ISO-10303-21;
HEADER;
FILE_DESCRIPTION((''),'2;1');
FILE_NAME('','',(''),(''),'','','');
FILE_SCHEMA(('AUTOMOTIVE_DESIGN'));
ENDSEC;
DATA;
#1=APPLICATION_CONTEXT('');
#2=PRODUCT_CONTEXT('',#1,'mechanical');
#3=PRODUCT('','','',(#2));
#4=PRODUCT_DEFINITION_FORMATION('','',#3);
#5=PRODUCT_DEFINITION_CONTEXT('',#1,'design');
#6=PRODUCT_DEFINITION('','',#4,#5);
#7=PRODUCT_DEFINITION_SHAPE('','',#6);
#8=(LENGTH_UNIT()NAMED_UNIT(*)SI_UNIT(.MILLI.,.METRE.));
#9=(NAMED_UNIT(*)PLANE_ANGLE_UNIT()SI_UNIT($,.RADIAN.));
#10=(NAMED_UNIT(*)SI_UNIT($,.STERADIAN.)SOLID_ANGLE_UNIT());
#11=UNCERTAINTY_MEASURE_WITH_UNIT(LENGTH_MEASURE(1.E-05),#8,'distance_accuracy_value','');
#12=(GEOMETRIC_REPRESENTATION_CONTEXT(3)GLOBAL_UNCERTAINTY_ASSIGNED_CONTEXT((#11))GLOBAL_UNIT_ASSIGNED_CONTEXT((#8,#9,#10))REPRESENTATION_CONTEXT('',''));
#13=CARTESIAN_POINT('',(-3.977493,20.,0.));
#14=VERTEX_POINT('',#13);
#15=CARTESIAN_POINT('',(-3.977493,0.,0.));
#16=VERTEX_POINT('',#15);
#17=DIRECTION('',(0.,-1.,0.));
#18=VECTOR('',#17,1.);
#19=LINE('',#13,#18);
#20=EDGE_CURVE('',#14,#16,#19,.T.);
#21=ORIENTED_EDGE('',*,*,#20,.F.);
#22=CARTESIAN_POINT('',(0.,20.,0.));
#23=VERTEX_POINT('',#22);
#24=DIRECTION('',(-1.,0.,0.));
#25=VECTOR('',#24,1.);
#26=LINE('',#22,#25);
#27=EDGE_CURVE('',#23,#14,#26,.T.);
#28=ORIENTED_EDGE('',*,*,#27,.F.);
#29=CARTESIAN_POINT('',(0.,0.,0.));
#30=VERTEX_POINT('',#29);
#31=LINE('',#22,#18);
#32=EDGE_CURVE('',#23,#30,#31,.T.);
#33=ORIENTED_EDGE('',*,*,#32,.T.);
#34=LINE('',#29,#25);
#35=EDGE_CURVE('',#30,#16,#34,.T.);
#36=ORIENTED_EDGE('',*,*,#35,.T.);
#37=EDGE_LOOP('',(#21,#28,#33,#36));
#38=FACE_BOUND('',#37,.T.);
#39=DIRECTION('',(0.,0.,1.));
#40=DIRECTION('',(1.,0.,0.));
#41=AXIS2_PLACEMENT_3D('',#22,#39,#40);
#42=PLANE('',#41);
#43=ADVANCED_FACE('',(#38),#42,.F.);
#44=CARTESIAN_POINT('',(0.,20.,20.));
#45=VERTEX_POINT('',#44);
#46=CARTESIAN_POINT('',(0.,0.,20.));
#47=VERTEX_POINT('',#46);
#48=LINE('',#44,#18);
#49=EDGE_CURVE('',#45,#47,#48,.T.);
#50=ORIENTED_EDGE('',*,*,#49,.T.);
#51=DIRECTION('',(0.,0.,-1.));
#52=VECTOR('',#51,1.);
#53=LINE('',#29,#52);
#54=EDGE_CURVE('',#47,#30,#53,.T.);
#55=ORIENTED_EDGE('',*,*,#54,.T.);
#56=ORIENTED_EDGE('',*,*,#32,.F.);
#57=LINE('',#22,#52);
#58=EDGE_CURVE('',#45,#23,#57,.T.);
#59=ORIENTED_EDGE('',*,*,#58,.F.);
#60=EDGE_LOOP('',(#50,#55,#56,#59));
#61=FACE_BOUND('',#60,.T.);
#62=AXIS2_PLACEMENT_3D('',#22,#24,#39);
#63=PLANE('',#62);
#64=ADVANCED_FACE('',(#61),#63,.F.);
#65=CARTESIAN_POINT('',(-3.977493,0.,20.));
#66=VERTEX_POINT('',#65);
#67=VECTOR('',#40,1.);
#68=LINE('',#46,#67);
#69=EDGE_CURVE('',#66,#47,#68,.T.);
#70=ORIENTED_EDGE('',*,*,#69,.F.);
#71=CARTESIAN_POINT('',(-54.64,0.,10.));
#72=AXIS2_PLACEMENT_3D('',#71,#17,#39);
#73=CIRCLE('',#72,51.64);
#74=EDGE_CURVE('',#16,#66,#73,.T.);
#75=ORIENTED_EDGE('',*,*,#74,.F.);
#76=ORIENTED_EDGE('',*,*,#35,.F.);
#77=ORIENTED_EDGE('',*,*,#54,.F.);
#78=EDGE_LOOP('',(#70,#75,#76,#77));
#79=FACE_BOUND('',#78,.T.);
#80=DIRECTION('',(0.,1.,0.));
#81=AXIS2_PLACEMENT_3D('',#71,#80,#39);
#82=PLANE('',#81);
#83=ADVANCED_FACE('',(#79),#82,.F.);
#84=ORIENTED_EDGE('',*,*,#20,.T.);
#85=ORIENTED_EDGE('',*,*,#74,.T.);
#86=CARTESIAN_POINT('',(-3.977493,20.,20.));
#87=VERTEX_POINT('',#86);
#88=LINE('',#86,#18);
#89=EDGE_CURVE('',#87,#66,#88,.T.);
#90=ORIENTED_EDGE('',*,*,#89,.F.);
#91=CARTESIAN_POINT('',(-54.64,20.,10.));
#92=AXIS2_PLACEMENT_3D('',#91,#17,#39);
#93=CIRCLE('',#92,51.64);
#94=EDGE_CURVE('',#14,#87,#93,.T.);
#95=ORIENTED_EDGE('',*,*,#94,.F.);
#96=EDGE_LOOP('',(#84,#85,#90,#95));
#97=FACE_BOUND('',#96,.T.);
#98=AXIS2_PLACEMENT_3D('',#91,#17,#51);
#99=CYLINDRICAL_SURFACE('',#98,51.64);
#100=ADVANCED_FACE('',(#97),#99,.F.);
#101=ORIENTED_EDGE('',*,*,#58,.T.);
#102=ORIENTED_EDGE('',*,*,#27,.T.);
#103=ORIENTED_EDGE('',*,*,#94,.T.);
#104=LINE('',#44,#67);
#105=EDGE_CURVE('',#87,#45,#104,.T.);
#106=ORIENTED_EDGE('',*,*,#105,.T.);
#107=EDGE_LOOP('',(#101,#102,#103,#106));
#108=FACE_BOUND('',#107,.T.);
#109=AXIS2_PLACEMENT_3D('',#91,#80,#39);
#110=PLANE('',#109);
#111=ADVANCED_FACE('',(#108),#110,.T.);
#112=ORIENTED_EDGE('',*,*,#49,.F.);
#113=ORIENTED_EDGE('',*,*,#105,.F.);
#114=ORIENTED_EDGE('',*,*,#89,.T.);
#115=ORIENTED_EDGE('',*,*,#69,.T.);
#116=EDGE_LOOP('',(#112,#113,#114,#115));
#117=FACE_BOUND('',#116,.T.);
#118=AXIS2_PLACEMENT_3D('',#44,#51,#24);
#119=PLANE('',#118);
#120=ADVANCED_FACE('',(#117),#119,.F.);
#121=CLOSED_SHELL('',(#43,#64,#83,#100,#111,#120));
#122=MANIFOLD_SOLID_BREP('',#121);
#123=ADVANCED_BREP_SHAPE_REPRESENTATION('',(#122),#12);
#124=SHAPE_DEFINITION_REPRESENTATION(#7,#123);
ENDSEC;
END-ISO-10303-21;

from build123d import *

# Parameters (mm, degrees)
EXTRUDE_1_DEPTH = 20


with BuildPart() as part:
    # 草图1 → 凸台-拉伸1 (new body)
    with BuildSketch(Plane(origin=(0, 0, 0), x_dir=(1, 0, 0), z_dir=(0, 1, 0))):
        with BuildLine():
            Line((0, 0), (0, -20))
            Line((0, -20), (-3.977493153, -20))
            ThreePointArc((-3.977493153, -20), (-3, -10), (-3.977493153, 0))
            Line((-3.977493153, 0), (0, 0))
        make_face()
    extrude(amount=EXTRUDE_1_DEPTH)


solid = part.part
